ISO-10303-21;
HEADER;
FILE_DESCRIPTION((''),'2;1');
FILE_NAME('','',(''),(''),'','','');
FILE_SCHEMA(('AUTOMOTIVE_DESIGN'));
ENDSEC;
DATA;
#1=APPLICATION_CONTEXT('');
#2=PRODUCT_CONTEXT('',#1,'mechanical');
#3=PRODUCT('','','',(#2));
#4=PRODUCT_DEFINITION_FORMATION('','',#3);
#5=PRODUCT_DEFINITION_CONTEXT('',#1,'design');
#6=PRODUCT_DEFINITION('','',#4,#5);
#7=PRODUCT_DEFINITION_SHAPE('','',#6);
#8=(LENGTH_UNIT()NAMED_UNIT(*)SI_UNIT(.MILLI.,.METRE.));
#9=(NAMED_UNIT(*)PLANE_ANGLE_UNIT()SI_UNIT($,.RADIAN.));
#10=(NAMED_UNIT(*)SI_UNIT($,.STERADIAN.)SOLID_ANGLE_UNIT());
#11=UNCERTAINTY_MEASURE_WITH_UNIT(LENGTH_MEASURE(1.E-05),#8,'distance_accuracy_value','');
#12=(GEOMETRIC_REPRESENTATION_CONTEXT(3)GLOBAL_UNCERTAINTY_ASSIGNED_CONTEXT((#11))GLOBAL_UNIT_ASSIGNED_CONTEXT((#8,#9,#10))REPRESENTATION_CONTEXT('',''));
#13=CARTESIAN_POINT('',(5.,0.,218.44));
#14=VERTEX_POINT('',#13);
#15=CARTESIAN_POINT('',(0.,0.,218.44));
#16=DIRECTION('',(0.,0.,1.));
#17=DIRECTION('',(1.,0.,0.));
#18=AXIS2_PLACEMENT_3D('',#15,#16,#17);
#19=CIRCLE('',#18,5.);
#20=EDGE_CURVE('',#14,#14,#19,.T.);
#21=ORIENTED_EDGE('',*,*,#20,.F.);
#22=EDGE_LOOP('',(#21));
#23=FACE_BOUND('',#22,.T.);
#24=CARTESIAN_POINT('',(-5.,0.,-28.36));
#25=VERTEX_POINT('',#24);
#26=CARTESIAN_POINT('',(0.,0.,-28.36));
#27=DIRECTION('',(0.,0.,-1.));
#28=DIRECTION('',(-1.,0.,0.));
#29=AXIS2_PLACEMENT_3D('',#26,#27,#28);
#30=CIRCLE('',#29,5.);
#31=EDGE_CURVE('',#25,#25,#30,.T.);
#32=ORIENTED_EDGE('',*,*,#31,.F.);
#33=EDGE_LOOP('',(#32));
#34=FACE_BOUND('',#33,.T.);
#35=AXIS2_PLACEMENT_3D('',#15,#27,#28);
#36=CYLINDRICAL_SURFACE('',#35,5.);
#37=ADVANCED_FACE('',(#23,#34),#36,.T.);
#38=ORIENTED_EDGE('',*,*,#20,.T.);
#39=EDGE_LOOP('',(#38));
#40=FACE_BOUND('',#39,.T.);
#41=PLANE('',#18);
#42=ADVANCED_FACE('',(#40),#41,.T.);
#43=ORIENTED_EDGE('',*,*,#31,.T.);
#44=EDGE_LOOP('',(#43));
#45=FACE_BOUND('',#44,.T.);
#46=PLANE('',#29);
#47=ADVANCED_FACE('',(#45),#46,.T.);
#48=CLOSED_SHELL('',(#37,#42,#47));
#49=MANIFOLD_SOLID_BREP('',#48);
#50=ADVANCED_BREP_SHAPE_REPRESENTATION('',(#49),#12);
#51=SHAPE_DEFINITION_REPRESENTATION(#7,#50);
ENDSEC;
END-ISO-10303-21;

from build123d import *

# Parameters (mm, degrees)
SKETCH_1_R      = 5
EXTRUDE_1_DEPTH = 218.44
EXTRUDE_START   = 28.36
SKETCH_3_R      = 5
EXTRUDE_2_DEPTH = 28.36


with BuildPart() as part:
    # 스케치1 → 보스-돌출1 (new body)
    with BuildSketch(Plane.XY):
        Circle(SKETCH_1_R)
    extrude(amount=EXTRUDE_1_DEPTH)

    # 스케치3 → 보스-돌출2 (add)
    with BuildSketch(Plane(origin=(0, 0, 0), x_dir=(-1, 0, 0), z_dir=(0, 0, -1)).offset(EXTRUDE_START)):
        Circle(SKETCH_3_R)
    extrude(amount=-EXTRUDE_2_DEPTH)


solid = part.part
